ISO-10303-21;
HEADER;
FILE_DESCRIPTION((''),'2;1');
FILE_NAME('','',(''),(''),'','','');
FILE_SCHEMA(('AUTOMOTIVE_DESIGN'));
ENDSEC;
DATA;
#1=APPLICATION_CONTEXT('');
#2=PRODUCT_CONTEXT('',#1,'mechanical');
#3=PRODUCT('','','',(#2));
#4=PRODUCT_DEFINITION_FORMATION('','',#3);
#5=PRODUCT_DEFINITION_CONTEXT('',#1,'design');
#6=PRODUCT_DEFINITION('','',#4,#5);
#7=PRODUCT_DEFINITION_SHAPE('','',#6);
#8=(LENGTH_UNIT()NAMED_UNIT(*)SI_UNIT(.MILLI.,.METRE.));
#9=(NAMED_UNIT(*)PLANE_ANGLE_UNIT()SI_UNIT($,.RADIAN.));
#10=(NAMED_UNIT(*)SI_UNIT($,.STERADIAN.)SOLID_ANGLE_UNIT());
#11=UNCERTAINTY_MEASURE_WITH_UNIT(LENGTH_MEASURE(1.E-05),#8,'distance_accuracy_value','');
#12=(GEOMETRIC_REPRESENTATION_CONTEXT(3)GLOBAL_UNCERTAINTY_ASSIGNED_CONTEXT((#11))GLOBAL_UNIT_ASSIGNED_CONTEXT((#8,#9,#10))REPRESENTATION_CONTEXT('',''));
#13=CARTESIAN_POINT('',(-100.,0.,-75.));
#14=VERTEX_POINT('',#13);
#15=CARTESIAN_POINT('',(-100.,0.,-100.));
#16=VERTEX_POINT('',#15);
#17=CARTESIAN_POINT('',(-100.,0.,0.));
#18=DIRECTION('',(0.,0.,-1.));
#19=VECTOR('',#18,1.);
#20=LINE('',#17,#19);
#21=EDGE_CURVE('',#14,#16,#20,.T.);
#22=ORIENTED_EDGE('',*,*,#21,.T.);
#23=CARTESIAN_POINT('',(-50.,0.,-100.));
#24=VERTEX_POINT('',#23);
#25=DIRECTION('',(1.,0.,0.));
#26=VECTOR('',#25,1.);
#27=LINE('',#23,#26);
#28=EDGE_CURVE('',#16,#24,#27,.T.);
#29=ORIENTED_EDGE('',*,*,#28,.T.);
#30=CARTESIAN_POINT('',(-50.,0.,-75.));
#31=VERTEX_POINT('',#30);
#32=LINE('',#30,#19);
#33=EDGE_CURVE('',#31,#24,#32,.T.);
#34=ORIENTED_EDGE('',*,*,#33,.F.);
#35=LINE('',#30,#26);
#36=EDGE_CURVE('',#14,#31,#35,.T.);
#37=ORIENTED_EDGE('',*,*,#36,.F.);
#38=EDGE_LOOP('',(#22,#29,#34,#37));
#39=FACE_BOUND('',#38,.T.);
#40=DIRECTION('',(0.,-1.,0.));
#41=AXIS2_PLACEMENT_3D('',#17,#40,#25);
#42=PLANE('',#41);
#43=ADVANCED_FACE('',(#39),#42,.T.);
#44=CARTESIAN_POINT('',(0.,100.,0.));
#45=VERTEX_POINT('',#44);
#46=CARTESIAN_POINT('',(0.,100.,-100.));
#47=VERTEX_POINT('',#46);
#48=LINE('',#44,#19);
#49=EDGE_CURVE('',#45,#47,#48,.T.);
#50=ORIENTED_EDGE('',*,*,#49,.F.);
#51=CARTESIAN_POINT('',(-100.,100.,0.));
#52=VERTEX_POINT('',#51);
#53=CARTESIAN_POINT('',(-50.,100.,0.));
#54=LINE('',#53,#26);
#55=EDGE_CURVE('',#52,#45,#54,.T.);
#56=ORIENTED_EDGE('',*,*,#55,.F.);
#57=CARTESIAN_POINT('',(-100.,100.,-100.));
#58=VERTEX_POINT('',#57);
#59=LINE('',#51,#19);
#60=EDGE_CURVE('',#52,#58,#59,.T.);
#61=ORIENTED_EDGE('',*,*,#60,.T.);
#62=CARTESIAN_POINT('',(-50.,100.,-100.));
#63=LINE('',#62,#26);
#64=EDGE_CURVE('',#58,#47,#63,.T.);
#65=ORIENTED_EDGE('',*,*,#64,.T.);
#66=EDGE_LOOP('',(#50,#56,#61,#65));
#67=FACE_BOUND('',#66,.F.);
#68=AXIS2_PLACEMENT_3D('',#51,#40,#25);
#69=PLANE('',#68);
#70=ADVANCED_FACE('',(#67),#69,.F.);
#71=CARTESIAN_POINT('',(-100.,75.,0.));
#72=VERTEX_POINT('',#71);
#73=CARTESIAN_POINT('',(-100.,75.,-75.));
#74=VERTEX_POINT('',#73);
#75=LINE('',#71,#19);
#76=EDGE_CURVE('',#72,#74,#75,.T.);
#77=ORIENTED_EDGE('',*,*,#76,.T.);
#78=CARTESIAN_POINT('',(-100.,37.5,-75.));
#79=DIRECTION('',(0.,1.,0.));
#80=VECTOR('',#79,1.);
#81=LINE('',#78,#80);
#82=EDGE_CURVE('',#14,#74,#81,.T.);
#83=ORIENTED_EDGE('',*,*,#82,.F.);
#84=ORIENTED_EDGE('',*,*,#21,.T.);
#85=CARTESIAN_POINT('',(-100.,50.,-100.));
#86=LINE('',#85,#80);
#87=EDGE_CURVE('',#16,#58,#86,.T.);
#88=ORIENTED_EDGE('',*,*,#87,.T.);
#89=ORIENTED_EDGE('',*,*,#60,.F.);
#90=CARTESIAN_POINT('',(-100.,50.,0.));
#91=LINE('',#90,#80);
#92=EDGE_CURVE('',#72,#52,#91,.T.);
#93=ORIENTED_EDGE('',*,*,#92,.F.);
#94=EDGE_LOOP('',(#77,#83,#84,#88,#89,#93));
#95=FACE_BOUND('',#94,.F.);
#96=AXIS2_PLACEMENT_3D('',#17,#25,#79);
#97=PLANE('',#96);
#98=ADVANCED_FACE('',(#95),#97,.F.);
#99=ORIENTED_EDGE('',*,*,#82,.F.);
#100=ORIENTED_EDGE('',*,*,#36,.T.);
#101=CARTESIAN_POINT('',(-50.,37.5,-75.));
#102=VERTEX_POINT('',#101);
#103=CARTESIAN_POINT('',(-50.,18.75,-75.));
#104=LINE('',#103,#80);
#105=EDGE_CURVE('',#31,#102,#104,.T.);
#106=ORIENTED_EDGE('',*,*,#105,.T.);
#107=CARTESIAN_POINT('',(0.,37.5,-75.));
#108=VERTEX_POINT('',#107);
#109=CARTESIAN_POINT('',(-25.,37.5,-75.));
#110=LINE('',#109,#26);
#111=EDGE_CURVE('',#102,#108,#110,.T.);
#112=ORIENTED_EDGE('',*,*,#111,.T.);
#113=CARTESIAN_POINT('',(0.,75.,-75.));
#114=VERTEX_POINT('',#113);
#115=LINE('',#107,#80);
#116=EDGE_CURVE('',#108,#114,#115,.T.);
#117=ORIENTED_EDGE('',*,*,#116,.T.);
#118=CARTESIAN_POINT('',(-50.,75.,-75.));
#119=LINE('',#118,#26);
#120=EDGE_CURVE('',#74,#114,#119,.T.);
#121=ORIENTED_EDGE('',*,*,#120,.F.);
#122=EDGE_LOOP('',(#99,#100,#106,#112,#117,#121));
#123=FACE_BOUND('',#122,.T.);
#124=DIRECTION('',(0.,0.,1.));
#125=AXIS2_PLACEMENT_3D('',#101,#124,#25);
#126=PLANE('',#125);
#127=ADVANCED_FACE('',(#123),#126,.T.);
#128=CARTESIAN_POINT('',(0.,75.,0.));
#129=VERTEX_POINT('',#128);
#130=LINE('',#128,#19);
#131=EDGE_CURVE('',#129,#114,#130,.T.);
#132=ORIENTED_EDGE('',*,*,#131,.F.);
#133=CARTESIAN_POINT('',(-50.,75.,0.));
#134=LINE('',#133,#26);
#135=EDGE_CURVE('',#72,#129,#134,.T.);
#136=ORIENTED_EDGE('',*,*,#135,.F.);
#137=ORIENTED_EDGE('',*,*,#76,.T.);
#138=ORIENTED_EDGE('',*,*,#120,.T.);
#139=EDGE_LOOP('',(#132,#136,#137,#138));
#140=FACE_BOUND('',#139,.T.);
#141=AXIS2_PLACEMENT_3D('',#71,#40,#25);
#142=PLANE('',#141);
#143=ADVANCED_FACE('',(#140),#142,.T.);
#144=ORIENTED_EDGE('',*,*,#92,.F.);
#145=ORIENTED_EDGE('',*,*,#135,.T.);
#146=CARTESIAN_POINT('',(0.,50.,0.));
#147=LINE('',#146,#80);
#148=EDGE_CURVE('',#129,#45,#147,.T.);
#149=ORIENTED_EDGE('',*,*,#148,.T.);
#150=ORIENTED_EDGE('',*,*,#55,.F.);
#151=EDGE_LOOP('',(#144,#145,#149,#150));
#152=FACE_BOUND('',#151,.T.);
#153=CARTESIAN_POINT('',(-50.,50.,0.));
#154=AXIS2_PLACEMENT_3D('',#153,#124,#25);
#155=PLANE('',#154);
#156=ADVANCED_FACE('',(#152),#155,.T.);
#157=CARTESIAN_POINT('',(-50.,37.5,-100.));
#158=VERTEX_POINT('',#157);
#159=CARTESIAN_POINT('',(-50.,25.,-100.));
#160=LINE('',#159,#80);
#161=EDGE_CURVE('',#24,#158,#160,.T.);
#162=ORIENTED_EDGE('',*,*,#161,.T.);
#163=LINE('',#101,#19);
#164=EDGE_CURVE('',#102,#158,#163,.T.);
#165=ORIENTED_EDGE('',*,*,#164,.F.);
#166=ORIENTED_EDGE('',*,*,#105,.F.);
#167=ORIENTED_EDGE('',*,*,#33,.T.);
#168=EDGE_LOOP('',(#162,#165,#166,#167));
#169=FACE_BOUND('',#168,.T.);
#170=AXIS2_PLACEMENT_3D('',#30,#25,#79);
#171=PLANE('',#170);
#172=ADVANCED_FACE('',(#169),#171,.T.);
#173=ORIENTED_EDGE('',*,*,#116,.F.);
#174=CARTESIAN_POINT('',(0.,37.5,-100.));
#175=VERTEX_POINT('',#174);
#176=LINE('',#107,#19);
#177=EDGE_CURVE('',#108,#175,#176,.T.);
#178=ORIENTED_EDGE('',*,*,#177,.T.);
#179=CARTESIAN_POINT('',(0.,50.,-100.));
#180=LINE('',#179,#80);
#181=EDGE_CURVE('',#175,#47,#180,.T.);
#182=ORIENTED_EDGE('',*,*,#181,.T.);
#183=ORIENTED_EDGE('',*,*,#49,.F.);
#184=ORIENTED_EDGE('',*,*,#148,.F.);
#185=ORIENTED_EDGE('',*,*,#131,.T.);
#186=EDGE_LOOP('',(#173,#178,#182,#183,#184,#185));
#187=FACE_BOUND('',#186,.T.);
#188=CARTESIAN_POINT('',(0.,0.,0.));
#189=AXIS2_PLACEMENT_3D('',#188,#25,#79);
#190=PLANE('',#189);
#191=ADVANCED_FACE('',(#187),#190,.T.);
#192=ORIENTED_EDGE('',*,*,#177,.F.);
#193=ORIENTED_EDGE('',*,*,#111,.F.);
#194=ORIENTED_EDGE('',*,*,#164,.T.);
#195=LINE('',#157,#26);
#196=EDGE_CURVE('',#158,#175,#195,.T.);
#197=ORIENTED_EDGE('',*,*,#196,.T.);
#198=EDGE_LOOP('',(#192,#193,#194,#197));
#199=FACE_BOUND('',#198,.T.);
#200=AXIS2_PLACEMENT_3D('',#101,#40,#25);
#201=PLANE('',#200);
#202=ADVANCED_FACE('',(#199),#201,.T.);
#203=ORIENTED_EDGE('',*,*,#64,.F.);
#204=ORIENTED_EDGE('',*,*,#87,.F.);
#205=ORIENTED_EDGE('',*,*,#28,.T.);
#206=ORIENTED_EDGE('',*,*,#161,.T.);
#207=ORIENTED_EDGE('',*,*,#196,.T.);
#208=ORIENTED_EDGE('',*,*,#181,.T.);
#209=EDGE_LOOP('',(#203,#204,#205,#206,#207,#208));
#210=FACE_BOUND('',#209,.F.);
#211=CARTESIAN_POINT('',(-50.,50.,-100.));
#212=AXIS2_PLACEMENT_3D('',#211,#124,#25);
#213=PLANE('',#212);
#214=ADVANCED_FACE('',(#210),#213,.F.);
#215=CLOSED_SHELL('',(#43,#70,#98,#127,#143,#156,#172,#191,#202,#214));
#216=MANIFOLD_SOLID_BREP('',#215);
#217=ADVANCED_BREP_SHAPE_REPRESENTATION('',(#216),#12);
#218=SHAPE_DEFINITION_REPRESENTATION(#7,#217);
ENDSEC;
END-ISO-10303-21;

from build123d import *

# Parameters (mm, degrees)
F0_W     = 100
F0_H     = 100
F1_DEPTH = 100
F2_W     = 100
F2_H     = 75
F3_DEPTH = 75
F4_W     = 50
F4_H     = 37.5
F5_DEPTH = 25.001


with BuildPart() as f1:
    # F0 (on Top) → F1 (new body)
    with BuildSketch(Plane.XY):
        with Locations((-50, 50)):
            Rectangle(F0_W, F0_H)
    extrude(amount=-F1_DEPTH)

    # F2 (on face) → F3 (cut)
    with BuildSketch(Plane.XY):
        with Locations((-50, 37.5)):
            Rectangle(F2_W, F2_H)
    extrude(amount=-F3_DEPTH, mode=Mode.SUBTRACT)

    # F4 (on face) → F5 (cut, through all)
    with BuildSketch(Plane.XY.offset(-75)):
        with Locations((-25, 18.75)):
            Rectangle(F4_W, F4_H)
    extrude(amount=-F5_DEPTH, mode=Mode.SUBTRACT)


solid = f1.part
